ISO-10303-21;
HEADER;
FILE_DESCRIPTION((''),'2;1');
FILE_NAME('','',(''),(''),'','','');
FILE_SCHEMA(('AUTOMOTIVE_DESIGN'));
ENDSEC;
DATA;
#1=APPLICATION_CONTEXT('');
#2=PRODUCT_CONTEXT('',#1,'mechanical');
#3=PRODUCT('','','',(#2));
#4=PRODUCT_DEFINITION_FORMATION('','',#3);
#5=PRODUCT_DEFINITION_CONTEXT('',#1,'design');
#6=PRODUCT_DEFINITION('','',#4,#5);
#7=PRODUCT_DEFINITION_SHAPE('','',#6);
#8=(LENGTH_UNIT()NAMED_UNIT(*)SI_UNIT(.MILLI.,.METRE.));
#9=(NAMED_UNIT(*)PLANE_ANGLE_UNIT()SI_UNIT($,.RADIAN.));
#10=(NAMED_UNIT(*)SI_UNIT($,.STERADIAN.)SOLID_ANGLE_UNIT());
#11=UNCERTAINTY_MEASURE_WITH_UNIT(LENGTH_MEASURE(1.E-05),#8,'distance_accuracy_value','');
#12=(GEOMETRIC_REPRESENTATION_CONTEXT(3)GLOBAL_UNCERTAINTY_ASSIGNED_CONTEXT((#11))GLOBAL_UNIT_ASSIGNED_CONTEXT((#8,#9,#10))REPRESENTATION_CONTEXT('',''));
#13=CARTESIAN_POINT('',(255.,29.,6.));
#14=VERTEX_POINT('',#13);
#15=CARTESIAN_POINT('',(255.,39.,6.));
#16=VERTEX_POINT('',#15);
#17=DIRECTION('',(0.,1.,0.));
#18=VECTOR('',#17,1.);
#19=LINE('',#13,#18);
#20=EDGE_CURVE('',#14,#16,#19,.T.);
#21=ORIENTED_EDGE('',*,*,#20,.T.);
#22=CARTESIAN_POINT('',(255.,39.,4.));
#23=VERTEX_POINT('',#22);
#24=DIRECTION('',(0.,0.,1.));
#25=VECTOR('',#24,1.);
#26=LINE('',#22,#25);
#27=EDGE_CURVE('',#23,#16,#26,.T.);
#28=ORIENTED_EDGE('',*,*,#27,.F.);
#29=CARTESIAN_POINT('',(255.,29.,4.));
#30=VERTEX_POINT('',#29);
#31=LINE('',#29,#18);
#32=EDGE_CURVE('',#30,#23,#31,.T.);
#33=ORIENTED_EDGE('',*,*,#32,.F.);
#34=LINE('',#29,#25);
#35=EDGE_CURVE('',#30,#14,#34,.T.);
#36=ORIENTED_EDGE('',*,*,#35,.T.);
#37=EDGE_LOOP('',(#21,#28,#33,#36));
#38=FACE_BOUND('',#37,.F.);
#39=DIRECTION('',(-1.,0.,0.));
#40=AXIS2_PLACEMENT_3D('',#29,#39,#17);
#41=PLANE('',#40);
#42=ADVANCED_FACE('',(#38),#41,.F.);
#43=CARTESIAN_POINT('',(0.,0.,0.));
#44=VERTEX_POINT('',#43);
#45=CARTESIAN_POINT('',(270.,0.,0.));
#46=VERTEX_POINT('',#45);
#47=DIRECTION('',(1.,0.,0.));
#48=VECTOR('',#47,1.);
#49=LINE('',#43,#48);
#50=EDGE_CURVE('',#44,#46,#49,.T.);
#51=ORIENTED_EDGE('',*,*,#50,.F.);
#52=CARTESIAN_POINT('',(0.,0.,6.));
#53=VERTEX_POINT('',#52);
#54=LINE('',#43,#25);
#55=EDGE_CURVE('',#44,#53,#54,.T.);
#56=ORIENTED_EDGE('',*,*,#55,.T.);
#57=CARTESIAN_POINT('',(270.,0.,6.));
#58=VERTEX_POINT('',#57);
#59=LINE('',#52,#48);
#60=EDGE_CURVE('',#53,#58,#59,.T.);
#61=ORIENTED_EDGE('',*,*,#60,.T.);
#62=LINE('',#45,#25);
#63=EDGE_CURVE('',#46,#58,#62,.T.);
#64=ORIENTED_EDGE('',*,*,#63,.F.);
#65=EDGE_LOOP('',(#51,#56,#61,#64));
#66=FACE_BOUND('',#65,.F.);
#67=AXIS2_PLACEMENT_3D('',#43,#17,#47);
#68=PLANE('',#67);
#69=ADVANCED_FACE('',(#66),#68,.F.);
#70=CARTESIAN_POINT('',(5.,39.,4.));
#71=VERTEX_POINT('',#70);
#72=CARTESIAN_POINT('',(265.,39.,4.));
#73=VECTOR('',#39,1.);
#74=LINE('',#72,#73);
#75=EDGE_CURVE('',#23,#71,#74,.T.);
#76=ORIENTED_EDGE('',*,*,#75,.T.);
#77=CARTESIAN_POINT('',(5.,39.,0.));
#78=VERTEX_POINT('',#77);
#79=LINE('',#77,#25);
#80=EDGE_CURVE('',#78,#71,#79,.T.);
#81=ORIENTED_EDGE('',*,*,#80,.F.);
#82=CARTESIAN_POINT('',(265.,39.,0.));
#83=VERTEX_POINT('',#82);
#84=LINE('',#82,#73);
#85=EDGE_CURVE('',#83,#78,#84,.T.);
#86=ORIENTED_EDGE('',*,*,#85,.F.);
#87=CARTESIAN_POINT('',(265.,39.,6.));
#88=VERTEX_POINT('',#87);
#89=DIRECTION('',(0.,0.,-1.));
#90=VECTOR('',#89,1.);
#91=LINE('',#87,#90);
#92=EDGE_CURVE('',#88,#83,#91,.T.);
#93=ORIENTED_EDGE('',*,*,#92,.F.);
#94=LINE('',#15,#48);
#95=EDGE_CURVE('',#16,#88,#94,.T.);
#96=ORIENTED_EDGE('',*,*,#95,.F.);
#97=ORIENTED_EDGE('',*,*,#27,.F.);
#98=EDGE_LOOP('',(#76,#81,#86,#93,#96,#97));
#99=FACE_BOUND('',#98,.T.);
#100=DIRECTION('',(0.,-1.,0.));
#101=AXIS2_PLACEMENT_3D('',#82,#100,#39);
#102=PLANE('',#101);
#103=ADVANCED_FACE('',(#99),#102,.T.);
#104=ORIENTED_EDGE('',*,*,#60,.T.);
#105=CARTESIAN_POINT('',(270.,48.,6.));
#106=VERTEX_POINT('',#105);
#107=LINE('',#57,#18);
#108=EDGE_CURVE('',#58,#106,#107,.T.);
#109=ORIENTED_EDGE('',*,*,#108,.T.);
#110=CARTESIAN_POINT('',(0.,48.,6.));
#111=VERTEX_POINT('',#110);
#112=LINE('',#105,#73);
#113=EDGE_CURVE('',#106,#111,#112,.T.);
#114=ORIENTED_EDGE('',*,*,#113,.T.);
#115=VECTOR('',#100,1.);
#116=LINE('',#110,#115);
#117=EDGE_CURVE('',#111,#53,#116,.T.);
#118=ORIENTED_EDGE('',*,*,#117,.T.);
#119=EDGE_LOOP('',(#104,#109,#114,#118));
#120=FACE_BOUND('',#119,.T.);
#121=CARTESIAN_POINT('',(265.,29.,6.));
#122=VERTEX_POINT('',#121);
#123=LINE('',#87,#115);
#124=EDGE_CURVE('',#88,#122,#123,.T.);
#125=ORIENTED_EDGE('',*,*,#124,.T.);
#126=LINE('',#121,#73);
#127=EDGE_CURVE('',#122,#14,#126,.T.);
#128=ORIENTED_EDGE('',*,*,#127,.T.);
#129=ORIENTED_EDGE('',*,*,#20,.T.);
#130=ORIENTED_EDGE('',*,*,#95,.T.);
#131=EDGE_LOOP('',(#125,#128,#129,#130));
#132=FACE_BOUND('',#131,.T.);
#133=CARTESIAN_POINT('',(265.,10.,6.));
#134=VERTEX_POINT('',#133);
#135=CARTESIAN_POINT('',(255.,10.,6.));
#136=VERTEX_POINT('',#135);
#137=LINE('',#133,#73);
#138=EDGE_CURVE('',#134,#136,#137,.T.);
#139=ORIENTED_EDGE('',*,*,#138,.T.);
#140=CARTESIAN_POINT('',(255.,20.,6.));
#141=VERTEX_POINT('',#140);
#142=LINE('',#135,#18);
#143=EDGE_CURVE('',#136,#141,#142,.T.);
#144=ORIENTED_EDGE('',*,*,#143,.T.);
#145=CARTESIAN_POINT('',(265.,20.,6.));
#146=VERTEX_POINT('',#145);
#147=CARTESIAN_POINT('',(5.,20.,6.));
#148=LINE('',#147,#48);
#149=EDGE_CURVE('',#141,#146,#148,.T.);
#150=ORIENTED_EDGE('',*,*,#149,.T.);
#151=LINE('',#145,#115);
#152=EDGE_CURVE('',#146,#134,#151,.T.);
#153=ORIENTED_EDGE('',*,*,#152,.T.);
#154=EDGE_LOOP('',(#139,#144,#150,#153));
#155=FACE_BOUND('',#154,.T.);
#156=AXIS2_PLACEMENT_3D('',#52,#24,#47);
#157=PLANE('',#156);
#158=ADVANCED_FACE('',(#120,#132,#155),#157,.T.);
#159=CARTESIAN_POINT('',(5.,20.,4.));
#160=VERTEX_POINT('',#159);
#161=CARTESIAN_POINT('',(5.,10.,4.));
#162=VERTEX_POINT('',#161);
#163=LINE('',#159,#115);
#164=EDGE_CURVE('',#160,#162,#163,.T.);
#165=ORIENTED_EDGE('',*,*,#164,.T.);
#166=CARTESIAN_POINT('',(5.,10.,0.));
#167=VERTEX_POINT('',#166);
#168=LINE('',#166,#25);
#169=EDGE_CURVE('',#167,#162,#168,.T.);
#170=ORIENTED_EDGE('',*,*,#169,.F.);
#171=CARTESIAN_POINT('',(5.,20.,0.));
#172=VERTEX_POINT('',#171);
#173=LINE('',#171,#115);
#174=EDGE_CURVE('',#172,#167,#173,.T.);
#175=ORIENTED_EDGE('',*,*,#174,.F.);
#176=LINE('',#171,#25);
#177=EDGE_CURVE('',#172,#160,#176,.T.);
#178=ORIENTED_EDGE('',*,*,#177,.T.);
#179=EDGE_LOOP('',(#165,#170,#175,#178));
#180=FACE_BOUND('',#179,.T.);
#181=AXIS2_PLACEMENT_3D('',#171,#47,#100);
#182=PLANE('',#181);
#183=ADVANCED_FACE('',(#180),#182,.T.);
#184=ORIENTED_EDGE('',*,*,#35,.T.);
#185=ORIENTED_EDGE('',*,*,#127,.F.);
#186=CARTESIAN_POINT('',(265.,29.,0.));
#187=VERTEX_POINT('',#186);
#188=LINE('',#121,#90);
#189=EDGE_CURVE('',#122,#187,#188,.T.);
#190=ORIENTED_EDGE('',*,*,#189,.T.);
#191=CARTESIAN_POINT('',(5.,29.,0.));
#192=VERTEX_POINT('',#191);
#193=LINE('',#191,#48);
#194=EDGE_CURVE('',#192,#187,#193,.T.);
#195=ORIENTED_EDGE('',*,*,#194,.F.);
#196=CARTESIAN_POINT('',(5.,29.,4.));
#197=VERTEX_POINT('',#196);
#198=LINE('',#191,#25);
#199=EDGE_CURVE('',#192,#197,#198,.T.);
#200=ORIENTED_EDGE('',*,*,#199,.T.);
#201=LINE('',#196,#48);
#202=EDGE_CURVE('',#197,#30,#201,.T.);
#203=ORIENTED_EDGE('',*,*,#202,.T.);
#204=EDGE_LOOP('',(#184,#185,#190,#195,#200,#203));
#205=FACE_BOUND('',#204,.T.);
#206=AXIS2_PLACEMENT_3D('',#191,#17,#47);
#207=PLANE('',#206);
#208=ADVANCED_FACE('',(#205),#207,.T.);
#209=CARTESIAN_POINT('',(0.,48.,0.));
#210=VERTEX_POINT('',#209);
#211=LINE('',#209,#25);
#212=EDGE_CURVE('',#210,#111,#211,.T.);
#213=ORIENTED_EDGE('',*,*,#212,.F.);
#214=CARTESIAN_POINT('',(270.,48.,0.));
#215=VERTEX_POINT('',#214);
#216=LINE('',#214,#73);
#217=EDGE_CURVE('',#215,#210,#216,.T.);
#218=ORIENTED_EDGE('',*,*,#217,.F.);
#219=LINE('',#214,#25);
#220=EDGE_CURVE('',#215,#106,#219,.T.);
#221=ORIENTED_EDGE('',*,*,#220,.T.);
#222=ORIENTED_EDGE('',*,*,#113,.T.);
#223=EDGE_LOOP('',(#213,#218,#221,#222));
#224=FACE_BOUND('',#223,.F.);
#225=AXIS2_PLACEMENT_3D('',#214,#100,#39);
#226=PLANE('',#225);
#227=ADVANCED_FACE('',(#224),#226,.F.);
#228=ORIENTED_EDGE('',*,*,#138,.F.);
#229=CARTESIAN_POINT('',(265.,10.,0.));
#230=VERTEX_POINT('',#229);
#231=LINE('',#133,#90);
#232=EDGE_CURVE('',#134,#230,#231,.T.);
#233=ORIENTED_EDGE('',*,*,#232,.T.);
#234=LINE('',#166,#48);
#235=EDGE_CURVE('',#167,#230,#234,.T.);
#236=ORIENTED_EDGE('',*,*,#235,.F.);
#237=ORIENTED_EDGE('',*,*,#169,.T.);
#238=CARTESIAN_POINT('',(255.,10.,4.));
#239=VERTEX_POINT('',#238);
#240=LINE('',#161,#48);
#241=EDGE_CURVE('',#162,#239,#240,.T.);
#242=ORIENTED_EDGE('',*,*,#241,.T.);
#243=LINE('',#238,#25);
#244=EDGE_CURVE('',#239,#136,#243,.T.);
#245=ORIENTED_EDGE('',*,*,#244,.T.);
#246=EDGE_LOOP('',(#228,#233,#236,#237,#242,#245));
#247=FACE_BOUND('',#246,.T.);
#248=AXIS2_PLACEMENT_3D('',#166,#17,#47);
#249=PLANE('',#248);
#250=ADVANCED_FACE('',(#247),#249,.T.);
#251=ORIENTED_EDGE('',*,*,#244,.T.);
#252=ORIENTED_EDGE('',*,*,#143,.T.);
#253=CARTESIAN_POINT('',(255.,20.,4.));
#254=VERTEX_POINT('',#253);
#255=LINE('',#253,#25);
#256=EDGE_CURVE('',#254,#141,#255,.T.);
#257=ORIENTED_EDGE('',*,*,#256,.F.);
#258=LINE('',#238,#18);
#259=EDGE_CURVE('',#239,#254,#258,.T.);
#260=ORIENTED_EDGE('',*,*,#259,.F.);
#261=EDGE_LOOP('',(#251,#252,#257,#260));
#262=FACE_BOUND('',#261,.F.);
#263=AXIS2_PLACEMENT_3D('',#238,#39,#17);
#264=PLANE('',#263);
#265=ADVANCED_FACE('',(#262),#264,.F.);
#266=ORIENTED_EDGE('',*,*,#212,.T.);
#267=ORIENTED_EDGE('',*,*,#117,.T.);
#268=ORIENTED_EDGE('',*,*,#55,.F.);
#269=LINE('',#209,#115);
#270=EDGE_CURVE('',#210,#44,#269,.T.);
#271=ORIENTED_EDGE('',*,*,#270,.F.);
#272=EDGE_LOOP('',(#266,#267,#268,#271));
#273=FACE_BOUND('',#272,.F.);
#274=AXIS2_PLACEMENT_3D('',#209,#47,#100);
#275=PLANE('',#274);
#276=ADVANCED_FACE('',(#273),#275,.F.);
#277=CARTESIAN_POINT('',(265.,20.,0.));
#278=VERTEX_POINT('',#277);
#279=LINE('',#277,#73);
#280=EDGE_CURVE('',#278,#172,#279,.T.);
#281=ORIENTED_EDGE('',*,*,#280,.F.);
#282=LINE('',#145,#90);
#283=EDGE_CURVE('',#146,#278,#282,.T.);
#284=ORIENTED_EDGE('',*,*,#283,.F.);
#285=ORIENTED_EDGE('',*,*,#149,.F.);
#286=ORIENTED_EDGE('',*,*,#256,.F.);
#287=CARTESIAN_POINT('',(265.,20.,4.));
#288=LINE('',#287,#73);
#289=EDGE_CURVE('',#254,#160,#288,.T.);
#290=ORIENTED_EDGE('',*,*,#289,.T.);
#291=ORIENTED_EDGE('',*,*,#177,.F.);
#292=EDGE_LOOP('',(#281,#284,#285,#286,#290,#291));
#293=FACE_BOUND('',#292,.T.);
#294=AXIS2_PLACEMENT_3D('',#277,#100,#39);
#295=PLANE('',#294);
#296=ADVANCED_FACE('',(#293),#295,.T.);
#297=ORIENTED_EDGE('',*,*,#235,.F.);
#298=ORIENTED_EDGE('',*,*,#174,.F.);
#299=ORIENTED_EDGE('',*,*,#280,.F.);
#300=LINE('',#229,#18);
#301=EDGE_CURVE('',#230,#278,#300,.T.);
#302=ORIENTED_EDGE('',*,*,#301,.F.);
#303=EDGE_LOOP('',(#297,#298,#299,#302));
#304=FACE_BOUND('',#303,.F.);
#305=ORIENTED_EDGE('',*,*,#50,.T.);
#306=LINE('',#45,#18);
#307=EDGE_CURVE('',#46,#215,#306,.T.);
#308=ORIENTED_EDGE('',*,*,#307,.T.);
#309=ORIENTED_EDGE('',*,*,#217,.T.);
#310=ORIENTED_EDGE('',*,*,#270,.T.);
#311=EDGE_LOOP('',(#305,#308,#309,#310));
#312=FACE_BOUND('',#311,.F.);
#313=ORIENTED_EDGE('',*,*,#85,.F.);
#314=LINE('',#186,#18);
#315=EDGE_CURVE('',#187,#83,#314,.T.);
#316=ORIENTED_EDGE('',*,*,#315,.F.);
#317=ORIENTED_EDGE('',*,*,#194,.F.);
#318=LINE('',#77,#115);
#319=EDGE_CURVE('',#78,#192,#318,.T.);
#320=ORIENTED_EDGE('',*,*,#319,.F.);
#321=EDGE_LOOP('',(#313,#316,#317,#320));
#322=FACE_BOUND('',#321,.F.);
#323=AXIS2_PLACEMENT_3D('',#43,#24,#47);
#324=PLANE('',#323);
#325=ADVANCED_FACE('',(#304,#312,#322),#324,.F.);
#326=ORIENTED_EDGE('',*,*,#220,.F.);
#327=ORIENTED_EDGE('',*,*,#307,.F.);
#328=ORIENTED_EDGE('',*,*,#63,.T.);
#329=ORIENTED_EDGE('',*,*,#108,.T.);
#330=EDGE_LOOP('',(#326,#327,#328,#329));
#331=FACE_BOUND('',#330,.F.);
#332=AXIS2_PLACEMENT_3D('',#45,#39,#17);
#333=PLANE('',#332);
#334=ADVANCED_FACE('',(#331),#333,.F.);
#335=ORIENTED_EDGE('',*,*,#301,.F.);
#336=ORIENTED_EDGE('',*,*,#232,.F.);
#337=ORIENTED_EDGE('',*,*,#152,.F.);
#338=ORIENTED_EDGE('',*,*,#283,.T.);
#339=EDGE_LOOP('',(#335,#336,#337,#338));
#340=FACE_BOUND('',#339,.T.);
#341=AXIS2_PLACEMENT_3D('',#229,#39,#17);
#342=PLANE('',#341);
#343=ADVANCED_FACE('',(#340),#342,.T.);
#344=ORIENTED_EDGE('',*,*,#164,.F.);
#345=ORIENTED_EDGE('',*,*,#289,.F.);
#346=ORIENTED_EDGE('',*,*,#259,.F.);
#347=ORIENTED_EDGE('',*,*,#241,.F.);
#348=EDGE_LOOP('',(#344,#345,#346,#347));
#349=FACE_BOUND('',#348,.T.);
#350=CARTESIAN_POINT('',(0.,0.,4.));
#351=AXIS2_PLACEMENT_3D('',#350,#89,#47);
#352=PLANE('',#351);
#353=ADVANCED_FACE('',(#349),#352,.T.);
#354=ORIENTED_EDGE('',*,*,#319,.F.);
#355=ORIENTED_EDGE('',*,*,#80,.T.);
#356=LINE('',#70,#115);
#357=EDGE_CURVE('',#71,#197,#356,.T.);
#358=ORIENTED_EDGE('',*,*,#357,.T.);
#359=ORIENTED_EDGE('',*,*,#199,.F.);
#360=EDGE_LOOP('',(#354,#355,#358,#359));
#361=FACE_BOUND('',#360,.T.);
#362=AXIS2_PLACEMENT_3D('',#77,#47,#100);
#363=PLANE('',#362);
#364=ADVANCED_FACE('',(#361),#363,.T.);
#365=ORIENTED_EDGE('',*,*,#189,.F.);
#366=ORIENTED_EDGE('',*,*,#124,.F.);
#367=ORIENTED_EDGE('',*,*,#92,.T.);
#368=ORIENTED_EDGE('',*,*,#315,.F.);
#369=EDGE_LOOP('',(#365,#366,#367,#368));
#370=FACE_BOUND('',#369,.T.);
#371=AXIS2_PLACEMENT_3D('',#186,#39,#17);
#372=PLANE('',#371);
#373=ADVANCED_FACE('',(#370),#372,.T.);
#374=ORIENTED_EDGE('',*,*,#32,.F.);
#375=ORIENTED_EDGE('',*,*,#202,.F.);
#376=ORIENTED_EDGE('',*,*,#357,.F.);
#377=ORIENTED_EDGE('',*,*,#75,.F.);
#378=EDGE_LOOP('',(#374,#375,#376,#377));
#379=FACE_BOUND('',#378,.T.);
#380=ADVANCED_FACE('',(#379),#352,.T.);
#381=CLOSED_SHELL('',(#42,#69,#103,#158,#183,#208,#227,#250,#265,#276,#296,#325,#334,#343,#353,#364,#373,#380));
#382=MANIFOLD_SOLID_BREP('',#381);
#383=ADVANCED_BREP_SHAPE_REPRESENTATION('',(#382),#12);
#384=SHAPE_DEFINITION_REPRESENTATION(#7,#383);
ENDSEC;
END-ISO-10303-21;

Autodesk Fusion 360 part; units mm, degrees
sketch "Unsorted Smarties Top" plane through (0, 0, 0) normal (0, 0, 1) x (1, 0, 0)
  line L0 (0, 0) -> (270, 0)
  line L1 (270, 0) -> (270, 48)
  line L2 (270, 48) -> (0, 48)
  line L3 (0, 48) -> (0, 0)
  dimension "d1" = 270
  dimension "d2" = 48
extrude "Extrude1" add sketch "Unsorted Smarties Top" along normal blind 6
sketch "Sketch2" plane through (0, 0, 0) normal (0, 0, -1) x (1, 0, 0)
  line L0 (0, 0) -> (0, -48)
  line L1 (0, -48) -> (270, -48)
  line L2 (270, -48) -> (270, 0)
  line L3 (270, 0) -> (0, 0)
  line L4 (5, -10) -> (265, -10)
  line L5 (265, -10) -> (265, -20)
  line L6 (265, -20) -> (5, -20)
  line L7 (5, -20) -> (5, -10)
  line L8 (5, -29) -> (265, -29)
  line L9 (265, -29) -> (265, -39)
  line L10 (265, -39) -> (5, -39)
  line L11 (5, -39) -> (5, -29)
  dimension "d6" = 5
  dimension "d7" = 5
  dimension "d8" = 5
  dimension "d9" = 5
  dimension "d10" = 10
  dimension "d11" = 10
  dimension "d12" = 9
  dimension "d13" = 10
extrude "Extrude2" cut sketch "Sketch2" against normal blind 4 contours L4 L5 L6 L7 | L8 L9 L10 L11
sketch "Sketch3" plane through (0, 0, 4) normal (0, 0, -1) x (1, 0, 0)
  line L0 (5, -20) -> (265, -20)
  line L1 (265, -20) -> (265, -10)
  line L2 (265, -10) -> (5, -10)
  line L3 (5, -10) -> (5, -20)
  line L4 (265, -10) -> (255, -10)
  line L5 (255, -10) -> (255, -20)
  line L6 (255, -20) -> (265, -20)
  line L7 (265, -20) -> (265, -10)
  line L8 (265, -29) -> (255, -29)
  line L9 (255, -29) -> (255, -39)
  line L10 (255, -39) -> (265, -39)
  line L11 (265, -39) -> (265, -29)
extrude "Extrude3" cut sketch "Sketch3" against normal blind 2 contours L0 L1 L2 L4 L5 L6 L7 | L8 L9 L10 L11
equation "mdfThickness = 6 mm" comment "Thickness of the MDF fibre board"
equation "d4 = mdfThickness"
